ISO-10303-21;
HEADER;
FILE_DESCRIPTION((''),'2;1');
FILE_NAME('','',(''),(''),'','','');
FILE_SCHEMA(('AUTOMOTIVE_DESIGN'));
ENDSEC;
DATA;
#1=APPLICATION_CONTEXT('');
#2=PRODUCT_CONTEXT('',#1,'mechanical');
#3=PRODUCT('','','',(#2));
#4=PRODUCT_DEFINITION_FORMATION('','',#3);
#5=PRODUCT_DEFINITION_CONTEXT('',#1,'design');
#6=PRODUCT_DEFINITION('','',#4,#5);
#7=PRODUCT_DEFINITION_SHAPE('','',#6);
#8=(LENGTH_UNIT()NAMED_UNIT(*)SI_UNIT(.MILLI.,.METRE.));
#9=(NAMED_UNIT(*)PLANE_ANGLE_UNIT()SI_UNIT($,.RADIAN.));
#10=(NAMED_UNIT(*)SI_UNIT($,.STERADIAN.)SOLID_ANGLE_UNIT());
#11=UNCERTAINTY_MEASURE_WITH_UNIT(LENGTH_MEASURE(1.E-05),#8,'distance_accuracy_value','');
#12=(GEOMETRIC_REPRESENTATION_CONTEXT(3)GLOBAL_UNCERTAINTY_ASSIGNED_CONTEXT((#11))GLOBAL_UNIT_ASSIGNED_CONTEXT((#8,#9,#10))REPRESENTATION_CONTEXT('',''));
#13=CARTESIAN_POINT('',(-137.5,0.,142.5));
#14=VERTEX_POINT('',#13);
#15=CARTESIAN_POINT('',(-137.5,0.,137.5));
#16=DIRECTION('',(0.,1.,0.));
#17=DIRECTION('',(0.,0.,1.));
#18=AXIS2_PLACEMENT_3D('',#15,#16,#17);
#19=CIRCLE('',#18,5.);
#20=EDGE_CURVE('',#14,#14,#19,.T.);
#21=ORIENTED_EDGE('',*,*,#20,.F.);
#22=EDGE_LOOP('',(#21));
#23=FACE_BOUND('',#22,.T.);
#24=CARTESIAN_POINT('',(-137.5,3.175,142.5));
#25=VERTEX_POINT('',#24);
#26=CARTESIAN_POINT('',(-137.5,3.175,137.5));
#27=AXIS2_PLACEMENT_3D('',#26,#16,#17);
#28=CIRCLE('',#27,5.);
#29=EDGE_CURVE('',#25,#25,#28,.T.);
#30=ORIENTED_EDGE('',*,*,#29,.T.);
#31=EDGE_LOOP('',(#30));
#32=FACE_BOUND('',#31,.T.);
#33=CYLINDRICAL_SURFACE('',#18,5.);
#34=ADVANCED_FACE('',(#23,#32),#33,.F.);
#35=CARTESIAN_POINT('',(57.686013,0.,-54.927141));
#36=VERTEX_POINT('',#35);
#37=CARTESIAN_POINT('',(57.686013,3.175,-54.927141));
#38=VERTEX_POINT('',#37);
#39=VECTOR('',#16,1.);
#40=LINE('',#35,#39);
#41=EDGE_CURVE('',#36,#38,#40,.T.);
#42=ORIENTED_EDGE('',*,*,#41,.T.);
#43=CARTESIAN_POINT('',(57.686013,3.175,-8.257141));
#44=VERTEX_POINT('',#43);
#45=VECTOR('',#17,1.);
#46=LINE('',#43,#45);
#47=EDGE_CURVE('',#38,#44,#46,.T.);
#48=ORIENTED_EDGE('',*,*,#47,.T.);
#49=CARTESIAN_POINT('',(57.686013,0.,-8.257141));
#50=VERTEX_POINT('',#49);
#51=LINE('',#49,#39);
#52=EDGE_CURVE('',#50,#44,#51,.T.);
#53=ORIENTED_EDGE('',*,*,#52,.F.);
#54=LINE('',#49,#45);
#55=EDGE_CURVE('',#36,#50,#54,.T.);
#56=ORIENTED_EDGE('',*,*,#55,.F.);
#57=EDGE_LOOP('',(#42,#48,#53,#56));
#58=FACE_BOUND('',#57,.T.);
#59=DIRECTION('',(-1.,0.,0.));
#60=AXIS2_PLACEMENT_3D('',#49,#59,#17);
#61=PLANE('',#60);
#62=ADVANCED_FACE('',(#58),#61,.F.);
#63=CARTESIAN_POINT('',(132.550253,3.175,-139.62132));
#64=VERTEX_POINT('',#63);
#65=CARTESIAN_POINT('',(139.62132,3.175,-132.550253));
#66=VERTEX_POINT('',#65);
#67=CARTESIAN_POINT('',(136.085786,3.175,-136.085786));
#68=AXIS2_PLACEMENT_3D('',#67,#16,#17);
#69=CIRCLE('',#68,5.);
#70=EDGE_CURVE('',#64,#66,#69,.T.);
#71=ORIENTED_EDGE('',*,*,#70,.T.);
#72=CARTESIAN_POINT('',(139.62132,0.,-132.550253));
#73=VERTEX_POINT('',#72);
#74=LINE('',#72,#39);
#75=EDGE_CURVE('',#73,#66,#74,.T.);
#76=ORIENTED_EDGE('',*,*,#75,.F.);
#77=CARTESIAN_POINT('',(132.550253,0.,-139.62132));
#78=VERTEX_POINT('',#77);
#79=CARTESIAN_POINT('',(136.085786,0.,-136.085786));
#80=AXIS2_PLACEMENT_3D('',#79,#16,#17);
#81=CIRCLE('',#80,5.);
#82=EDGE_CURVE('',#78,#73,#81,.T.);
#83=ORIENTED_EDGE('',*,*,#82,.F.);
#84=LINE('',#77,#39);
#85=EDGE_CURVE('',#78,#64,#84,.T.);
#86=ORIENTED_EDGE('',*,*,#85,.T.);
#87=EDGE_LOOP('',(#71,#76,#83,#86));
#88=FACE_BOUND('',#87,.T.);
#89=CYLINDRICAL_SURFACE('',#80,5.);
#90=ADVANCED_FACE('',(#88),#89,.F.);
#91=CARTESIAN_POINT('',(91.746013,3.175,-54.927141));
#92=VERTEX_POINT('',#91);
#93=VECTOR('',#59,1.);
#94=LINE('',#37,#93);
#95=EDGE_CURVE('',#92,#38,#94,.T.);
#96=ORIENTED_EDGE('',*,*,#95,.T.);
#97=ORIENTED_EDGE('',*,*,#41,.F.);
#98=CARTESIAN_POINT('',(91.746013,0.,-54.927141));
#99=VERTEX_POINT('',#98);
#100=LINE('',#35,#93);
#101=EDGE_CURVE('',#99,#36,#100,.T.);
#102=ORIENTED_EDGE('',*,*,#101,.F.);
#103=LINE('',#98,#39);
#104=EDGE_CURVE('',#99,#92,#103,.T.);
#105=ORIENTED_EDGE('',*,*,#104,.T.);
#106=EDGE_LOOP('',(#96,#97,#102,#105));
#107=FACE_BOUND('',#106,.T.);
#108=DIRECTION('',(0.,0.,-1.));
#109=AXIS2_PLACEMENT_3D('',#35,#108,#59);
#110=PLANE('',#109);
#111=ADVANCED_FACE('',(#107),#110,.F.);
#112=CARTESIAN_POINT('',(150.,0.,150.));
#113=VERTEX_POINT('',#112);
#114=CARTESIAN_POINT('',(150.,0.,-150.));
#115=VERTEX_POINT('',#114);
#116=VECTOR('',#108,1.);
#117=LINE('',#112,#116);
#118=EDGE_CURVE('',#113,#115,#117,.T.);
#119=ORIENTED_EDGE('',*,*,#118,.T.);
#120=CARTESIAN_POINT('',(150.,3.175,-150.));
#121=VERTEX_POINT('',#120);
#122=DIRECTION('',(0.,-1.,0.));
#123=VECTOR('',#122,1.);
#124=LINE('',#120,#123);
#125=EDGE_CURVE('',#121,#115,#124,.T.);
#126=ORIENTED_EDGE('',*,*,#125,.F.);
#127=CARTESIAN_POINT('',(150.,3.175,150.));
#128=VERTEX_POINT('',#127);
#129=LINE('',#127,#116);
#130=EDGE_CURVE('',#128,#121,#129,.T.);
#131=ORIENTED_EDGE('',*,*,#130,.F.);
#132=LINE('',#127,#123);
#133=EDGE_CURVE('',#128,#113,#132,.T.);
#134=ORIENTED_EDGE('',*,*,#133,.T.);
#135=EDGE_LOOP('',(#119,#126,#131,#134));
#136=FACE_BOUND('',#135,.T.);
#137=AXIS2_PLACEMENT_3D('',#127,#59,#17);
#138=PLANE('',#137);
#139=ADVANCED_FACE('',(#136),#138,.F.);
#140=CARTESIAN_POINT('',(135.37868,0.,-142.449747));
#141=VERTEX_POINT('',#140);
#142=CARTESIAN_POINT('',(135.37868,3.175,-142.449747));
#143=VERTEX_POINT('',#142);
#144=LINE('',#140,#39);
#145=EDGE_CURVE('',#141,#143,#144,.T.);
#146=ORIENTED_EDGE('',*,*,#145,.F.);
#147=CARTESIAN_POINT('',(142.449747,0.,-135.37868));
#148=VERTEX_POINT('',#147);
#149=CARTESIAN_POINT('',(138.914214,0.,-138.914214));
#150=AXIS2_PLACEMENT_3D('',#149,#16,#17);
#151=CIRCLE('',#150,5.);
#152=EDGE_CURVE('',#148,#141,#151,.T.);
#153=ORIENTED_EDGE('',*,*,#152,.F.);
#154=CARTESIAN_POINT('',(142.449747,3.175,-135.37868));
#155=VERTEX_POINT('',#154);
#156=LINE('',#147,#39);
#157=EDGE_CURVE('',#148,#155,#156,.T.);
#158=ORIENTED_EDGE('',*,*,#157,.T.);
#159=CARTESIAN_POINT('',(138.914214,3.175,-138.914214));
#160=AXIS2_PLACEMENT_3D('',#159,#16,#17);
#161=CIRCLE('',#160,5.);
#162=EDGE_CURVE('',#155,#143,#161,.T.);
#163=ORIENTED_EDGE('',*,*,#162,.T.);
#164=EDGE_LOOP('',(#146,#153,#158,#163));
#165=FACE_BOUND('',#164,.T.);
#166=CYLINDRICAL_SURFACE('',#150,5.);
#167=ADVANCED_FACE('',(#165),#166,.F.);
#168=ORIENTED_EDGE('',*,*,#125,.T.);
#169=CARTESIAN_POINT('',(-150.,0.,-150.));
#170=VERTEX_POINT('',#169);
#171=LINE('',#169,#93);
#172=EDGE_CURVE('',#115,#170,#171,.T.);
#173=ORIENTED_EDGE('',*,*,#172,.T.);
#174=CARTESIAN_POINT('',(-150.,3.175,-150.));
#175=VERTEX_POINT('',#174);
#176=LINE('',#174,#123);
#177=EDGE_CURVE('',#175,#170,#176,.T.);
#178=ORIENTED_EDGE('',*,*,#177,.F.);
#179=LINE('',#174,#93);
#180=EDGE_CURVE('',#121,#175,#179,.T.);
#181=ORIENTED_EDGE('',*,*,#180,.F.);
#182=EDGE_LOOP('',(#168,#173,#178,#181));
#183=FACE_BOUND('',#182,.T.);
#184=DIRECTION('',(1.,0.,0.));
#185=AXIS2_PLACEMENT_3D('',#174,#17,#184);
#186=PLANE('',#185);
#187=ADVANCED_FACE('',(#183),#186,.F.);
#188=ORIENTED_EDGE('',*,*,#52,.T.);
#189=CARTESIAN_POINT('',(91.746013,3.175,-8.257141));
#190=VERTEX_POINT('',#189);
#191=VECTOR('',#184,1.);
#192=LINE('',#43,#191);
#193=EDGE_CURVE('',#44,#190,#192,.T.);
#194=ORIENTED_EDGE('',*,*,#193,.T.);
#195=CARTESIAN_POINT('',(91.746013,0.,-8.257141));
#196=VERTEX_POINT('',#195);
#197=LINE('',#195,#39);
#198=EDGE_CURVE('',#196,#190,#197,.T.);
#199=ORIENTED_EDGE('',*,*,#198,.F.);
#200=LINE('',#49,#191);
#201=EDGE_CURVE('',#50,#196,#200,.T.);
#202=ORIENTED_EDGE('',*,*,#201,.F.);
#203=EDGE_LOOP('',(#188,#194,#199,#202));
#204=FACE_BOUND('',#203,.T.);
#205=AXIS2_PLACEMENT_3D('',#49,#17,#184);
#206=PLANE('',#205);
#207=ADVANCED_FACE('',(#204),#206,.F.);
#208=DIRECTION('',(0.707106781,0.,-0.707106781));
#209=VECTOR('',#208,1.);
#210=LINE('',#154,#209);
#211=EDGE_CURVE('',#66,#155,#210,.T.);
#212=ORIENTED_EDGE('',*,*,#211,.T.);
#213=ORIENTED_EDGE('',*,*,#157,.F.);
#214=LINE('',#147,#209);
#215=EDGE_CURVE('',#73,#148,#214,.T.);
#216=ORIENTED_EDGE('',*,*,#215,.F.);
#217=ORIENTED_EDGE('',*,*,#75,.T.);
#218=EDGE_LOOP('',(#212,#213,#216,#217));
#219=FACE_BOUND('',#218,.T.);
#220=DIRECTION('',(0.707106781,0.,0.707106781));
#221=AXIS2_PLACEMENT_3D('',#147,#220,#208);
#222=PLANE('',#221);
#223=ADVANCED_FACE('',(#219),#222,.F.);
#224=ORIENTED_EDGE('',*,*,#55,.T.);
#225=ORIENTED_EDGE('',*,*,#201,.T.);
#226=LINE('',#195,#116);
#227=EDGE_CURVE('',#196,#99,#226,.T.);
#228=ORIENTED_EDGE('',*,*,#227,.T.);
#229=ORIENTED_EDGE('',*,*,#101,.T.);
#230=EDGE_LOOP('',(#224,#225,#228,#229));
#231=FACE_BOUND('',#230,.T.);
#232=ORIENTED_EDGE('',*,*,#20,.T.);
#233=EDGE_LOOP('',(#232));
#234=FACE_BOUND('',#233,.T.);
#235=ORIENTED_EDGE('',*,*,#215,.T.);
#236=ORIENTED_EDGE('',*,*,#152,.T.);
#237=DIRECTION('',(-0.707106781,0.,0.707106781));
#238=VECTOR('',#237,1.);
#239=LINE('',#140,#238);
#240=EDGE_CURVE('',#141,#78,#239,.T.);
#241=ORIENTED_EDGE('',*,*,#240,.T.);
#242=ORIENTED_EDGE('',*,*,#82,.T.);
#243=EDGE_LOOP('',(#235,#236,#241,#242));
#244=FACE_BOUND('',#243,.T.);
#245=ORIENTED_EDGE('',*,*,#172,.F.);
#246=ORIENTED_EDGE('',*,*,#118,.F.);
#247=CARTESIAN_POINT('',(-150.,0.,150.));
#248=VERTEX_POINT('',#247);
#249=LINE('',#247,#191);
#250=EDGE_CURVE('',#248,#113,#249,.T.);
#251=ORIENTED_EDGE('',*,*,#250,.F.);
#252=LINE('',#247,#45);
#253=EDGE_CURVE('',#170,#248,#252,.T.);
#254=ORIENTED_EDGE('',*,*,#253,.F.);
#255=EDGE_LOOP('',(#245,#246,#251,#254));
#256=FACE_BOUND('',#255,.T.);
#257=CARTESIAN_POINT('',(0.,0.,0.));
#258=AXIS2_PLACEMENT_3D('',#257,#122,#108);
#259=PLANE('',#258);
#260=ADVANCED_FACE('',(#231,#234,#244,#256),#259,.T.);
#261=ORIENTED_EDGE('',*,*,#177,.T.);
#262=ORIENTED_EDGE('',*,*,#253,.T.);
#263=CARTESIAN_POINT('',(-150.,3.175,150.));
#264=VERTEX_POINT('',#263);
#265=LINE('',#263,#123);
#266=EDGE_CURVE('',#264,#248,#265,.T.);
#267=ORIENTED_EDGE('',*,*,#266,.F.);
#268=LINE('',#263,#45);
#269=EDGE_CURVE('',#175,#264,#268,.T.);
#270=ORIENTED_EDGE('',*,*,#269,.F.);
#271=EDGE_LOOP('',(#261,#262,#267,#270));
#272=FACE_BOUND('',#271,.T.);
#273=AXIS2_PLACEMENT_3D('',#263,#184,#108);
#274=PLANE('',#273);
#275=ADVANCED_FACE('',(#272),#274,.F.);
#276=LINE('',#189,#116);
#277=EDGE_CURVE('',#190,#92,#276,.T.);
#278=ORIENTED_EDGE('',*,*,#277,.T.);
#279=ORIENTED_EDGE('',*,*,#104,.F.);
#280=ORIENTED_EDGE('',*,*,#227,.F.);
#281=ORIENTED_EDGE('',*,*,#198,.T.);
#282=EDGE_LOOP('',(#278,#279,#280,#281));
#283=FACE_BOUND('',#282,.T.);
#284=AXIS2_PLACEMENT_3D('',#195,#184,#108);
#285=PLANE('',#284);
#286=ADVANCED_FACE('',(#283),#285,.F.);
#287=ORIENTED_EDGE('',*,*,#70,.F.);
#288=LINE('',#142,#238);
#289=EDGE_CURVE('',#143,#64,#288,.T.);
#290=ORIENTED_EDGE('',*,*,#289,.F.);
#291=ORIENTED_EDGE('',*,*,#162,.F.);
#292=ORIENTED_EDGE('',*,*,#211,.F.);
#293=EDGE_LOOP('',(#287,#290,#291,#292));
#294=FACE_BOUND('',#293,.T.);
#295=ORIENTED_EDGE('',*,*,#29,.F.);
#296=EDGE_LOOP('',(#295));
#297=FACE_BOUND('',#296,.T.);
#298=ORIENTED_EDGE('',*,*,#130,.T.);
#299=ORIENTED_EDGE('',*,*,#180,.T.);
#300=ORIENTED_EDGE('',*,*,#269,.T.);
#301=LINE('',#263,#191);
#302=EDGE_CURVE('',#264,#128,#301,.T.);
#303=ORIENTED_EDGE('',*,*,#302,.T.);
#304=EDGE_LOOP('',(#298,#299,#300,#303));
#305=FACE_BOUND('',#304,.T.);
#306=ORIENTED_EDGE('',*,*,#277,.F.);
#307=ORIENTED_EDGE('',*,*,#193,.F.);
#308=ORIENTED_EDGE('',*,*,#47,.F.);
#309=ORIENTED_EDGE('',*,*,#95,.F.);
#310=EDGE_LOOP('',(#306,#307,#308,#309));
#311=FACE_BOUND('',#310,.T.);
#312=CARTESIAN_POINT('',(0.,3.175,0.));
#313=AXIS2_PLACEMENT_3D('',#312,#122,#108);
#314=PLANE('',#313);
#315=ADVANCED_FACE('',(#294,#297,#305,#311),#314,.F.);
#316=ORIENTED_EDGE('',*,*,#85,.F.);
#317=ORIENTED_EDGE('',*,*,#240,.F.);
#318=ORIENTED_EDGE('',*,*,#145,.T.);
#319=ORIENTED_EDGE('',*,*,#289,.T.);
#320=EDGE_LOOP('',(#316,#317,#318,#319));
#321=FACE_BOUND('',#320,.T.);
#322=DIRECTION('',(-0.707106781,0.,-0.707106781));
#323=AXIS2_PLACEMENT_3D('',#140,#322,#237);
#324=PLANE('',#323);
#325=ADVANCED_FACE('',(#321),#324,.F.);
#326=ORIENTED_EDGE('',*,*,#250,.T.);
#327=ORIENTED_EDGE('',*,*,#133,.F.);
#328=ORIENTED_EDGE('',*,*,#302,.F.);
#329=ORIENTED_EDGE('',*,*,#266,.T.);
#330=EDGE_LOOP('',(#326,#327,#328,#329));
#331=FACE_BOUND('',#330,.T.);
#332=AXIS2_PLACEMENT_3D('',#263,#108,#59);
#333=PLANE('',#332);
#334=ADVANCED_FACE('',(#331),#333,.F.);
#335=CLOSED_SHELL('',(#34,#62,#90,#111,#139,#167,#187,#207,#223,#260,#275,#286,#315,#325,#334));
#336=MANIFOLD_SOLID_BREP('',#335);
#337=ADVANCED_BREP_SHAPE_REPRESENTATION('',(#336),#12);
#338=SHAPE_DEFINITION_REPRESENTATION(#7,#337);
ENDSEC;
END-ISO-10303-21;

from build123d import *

# Parameters (mm, degrees)
SKETCH1_W           = 300
SKETCH1_H           = 300
BOSS_EXTRUDE1_DEPTH = 3.175
SKETCH2_R           = 5
CUT_EXTRUDE1_DEPTH  = 213.155793286
SKETCH3_W           = 34.06
SKETCH3_H           = 46.67
CUT_EXTRUDE2_DEPTH  = 213.155793286


with BuildPart() as part:
    # Sketch1 → Boss-Extrude1 (new body)
    with BuildSketch(Plane(origin=(0, 0, 0), x_dir=(1, 0, 0), z_dir=(0, 1, 0))):
        Rectangle(SKETCH1_W, SKETCH1_H)
    extrude(amount=BOSS_EXTRUDE1_DEPTH)

    # Sketch2 → Cut-Extrude1 (cut, through all)
    with BuildSketch(Plane(origin=(0, 3.175, 0), x_dir=(1, 0, 0), z_dir=(0, 1, 0))):
        with Locations(Location((-137.5, -137.5, 0), (0, 0, 270))):
            Circle(SKETCH2_R)
        with BuildLine():
            Line((142.449747468, 135.378679656), (139.621320344, 132.550252532))
            ThreePointArc((139.621320344, 132.550252532), (132.550252532, 132.550252532), (132.550252532, 139.621320344))
            Line((132.550252532, 139.621320344), (135.378679656, 142.449747468))
            ThreePointArc((135.378679656, 142.449747468), (142.449747468, 142.449747468), (142.449747468, 135.378679656))
        make_face()
    extrude(amount=-CUT_EXTRUDE1_DEPTH, mode=Mode.SUBTRACT)

    # Sketch3 → Cut-Extrude2 (cut, through all)
    with BuildSketch(Plane(origin=(0, 3.175, 0), x_dir=(1, 0, 0), z_dir=(0, 1, 0))):
        with Locations((74.716012632, 31.592141137)):
            Rectangle(SKETCH3_W, SKETCH3_H)
    extrude(amount=-CUT_EXTRUDE2_DEPTH, mode=Mode.SUBTRACT)


solid = part.part
